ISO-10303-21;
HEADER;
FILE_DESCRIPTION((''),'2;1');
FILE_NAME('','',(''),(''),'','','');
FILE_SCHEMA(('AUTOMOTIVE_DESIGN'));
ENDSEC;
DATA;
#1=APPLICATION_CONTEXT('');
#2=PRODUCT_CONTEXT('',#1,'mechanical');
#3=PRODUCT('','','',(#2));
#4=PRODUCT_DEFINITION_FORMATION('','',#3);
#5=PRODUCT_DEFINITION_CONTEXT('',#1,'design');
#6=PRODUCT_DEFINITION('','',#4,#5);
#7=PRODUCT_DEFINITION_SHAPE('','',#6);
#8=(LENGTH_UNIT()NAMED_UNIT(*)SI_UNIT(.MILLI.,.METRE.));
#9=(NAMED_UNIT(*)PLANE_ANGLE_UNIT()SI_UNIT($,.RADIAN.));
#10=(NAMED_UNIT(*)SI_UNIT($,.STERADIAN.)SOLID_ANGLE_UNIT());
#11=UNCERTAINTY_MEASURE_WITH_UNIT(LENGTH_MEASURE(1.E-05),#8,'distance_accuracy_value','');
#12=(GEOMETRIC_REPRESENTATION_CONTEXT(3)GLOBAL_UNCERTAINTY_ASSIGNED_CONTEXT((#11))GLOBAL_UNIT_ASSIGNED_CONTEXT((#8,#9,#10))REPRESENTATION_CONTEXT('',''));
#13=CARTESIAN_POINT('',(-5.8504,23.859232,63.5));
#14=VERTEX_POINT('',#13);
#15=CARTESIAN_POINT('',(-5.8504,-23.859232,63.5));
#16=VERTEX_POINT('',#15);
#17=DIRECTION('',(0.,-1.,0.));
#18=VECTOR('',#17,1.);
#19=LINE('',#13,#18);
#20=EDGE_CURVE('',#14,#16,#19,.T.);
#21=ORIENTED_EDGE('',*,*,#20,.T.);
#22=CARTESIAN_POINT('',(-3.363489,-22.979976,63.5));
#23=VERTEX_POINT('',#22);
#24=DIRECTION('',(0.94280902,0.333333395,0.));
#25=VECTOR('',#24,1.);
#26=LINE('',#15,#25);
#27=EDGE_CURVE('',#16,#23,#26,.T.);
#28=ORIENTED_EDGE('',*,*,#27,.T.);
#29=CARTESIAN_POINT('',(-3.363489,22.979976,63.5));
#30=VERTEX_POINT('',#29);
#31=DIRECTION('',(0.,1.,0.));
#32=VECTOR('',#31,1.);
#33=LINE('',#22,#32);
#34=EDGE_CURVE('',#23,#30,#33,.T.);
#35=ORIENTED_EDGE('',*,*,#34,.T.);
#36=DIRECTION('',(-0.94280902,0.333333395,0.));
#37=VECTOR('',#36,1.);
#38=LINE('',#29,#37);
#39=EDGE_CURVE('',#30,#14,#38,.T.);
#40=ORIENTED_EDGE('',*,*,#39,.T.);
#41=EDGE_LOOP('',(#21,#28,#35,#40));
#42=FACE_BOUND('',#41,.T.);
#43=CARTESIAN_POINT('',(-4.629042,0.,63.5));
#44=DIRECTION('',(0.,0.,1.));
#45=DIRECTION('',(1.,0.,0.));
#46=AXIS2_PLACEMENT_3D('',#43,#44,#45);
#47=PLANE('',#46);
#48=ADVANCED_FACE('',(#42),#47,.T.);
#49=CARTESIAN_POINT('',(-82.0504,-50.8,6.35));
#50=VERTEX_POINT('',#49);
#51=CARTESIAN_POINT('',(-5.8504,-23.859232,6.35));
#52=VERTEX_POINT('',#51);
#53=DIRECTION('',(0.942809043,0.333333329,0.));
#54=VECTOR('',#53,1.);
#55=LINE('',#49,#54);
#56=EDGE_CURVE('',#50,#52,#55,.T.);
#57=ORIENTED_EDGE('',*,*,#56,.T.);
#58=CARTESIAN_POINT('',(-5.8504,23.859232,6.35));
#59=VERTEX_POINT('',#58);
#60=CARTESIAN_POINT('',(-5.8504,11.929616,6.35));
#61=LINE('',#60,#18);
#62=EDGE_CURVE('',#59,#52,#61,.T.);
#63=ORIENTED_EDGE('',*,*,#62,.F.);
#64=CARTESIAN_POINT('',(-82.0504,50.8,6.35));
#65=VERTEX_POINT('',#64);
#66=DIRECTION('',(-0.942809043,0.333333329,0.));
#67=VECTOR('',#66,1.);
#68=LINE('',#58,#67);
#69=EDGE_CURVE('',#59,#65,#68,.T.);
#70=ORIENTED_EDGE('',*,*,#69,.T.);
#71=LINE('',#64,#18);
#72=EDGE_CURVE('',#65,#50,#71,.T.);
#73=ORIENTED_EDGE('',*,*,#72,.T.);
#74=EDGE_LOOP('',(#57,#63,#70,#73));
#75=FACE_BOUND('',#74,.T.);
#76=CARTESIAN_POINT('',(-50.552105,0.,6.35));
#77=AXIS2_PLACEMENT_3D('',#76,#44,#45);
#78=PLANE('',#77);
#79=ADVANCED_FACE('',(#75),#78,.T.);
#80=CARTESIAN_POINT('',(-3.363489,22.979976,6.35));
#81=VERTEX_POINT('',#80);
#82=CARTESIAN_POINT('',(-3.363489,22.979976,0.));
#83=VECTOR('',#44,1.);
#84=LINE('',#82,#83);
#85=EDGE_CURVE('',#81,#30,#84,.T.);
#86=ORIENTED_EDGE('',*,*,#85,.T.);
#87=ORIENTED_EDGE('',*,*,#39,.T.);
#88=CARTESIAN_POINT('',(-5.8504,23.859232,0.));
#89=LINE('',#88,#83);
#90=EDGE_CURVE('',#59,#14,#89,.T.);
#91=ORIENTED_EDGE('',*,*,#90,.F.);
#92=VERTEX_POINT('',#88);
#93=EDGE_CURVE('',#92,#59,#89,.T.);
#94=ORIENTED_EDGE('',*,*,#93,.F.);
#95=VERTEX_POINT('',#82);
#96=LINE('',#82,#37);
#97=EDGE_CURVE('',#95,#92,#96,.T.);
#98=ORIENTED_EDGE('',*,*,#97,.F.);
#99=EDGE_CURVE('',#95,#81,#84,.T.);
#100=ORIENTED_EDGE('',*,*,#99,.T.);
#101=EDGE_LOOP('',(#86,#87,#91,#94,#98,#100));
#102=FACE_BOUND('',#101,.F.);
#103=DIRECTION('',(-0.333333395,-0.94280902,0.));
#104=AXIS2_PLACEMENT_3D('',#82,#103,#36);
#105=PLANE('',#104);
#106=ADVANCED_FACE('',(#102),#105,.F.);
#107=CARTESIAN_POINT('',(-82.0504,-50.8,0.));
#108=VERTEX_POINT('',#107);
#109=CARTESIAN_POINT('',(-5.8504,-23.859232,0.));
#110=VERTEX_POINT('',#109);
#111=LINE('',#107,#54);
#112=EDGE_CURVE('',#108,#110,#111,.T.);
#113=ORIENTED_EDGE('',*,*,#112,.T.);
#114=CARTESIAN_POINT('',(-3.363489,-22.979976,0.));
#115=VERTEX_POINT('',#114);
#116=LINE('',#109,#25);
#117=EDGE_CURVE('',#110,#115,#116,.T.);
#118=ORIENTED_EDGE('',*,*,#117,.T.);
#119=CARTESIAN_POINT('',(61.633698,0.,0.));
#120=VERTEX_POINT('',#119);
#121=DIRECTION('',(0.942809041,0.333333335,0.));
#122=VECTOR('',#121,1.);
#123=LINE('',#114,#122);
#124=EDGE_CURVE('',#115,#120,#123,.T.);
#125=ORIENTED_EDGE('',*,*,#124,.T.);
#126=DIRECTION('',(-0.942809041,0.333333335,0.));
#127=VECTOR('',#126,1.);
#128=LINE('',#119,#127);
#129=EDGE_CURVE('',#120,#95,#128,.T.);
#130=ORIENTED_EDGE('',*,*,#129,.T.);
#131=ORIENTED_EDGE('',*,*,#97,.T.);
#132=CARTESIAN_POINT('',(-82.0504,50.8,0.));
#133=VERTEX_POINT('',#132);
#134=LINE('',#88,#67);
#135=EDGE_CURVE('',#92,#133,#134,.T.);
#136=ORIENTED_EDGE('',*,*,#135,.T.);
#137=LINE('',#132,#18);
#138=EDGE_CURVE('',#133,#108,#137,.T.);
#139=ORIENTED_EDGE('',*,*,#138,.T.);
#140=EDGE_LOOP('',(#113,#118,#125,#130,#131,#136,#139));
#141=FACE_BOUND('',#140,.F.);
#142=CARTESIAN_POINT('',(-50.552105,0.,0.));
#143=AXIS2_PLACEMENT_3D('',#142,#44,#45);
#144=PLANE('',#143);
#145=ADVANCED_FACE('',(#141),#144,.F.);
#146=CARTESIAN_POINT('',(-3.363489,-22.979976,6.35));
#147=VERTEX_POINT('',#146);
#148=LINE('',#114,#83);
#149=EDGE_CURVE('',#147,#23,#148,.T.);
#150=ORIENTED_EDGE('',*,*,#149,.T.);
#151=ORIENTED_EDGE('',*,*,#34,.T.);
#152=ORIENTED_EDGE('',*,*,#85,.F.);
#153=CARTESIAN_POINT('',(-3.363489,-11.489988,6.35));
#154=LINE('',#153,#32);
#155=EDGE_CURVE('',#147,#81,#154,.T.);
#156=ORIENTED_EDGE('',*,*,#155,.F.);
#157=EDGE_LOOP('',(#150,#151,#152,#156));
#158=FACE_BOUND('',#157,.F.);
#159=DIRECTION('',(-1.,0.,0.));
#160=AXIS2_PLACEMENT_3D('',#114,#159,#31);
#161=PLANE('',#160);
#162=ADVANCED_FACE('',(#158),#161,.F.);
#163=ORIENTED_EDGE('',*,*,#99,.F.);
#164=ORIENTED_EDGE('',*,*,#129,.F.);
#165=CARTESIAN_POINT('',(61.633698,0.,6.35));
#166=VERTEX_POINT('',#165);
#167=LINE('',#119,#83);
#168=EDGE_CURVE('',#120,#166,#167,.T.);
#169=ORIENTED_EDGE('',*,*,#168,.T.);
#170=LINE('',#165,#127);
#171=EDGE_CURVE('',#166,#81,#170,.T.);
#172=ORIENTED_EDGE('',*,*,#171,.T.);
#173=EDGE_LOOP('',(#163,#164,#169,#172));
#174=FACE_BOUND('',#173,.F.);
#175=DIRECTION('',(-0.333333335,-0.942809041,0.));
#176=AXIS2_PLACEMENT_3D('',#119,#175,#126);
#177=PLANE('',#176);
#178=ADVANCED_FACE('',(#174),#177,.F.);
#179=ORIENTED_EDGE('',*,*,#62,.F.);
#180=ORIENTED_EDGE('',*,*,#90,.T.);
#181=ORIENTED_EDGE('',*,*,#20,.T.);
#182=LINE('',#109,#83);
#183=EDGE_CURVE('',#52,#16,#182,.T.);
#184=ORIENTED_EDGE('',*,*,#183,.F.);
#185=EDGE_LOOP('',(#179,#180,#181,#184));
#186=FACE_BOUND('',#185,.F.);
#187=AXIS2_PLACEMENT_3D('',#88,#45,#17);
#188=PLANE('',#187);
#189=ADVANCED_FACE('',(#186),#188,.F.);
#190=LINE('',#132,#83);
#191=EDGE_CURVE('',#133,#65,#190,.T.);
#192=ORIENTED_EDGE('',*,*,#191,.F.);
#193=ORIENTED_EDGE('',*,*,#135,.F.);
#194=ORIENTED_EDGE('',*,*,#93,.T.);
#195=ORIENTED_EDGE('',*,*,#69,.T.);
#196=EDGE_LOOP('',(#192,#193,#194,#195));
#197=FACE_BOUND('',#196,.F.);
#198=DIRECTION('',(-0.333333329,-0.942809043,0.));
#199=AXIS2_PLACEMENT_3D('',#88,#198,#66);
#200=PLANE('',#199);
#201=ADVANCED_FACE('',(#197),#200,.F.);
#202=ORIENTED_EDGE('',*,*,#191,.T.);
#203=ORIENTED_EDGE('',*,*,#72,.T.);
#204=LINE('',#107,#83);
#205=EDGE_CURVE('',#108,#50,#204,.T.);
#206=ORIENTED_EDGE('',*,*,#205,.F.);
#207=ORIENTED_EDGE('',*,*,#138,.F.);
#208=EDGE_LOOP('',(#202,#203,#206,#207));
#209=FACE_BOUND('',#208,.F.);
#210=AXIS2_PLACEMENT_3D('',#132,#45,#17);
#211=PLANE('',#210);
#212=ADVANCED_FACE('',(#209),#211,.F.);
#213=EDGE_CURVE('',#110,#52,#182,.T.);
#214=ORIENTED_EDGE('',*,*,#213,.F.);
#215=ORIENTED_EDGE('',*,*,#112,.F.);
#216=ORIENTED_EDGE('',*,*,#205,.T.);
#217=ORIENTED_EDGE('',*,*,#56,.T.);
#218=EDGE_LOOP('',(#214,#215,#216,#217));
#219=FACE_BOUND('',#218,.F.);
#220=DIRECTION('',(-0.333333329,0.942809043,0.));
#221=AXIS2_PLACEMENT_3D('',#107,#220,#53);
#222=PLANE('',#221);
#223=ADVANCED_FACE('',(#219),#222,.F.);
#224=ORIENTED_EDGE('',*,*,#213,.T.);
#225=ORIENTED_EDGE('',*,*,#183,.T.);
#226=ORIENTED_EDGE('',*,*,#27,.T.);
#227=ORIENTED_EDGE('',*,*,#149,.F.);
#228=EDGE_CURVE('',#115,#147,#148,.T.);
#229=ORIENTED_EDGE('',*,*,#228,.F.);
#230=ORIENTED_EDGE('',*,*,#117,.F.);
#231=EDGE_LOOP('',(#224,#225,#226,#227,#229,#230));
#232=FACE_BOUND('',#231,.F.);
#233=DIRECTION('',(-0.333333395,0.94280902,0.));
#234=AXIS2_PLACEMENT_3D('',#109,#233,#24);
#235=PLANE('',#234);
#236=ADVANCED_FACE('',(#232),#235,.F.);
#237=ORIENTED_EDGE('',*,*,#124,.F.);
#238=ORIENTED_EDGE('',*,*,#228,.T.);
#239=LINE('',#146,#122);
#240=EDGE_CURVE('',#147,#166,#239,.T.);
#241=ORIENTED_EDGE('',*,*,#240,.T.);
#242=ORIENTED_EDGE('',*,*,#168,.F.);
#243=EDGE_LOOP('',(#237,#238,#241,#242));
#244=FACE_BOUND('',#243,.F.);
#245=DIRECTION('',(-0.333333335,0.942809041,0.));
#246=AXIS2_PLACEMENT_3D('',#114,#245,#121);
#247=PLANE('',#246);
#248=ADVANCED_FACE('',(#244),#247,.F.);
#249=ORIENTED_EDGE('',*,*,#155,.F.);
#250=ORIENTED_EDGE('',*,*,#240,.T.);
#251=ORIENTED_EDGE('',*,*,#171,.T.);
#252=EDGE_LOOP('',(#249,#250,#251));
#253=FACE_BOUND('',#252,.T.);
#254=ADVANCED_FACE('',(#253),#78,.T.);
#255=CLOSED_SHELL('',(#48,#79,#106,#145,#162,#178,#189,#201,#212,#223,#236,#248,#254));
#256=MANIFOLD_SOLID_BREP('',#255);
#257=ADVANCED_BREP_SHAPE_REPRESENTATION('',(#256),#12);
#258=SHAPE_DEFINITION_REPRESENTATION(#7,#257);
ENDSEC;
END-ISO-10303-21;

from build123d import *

# Parameters (mm, degrees)
F1_DEPTH = 63.5
F2_DEPTH = 6.35


with BuildPart() as f1:
    # F0 (on Top) → F1 (new body)
    with BuildSketch(Plane.XY):
        Polygon((-3.363489, 22.979976), (-5.8504, 23.859232), (-5.8504, -23.859232), (-3.363489, -22.979976), align=None)
    extrude(amount=F1_DEPTH)

    # F0 (on Top) → F2 (join)
    with BuildSketch(Plane.XY):
        Polygon((-5.8504, 23.859232), (-82.0504, 50.8), (-82.0504, -50.8), (-5.8504, -23.859232), align=None)
        Polygon((-3.363489, 22.979976), (-5.8504, 23.859232), (-5.8504, -23.859232), (-3.363489, -22.979976), align=None)
        Polygon((61.633698, 0), (-3.363489, 22.979976), (-3.363489, -22.979976), align=None)
    extrude(amount=F2_DEPTH)


solid = f1.part
